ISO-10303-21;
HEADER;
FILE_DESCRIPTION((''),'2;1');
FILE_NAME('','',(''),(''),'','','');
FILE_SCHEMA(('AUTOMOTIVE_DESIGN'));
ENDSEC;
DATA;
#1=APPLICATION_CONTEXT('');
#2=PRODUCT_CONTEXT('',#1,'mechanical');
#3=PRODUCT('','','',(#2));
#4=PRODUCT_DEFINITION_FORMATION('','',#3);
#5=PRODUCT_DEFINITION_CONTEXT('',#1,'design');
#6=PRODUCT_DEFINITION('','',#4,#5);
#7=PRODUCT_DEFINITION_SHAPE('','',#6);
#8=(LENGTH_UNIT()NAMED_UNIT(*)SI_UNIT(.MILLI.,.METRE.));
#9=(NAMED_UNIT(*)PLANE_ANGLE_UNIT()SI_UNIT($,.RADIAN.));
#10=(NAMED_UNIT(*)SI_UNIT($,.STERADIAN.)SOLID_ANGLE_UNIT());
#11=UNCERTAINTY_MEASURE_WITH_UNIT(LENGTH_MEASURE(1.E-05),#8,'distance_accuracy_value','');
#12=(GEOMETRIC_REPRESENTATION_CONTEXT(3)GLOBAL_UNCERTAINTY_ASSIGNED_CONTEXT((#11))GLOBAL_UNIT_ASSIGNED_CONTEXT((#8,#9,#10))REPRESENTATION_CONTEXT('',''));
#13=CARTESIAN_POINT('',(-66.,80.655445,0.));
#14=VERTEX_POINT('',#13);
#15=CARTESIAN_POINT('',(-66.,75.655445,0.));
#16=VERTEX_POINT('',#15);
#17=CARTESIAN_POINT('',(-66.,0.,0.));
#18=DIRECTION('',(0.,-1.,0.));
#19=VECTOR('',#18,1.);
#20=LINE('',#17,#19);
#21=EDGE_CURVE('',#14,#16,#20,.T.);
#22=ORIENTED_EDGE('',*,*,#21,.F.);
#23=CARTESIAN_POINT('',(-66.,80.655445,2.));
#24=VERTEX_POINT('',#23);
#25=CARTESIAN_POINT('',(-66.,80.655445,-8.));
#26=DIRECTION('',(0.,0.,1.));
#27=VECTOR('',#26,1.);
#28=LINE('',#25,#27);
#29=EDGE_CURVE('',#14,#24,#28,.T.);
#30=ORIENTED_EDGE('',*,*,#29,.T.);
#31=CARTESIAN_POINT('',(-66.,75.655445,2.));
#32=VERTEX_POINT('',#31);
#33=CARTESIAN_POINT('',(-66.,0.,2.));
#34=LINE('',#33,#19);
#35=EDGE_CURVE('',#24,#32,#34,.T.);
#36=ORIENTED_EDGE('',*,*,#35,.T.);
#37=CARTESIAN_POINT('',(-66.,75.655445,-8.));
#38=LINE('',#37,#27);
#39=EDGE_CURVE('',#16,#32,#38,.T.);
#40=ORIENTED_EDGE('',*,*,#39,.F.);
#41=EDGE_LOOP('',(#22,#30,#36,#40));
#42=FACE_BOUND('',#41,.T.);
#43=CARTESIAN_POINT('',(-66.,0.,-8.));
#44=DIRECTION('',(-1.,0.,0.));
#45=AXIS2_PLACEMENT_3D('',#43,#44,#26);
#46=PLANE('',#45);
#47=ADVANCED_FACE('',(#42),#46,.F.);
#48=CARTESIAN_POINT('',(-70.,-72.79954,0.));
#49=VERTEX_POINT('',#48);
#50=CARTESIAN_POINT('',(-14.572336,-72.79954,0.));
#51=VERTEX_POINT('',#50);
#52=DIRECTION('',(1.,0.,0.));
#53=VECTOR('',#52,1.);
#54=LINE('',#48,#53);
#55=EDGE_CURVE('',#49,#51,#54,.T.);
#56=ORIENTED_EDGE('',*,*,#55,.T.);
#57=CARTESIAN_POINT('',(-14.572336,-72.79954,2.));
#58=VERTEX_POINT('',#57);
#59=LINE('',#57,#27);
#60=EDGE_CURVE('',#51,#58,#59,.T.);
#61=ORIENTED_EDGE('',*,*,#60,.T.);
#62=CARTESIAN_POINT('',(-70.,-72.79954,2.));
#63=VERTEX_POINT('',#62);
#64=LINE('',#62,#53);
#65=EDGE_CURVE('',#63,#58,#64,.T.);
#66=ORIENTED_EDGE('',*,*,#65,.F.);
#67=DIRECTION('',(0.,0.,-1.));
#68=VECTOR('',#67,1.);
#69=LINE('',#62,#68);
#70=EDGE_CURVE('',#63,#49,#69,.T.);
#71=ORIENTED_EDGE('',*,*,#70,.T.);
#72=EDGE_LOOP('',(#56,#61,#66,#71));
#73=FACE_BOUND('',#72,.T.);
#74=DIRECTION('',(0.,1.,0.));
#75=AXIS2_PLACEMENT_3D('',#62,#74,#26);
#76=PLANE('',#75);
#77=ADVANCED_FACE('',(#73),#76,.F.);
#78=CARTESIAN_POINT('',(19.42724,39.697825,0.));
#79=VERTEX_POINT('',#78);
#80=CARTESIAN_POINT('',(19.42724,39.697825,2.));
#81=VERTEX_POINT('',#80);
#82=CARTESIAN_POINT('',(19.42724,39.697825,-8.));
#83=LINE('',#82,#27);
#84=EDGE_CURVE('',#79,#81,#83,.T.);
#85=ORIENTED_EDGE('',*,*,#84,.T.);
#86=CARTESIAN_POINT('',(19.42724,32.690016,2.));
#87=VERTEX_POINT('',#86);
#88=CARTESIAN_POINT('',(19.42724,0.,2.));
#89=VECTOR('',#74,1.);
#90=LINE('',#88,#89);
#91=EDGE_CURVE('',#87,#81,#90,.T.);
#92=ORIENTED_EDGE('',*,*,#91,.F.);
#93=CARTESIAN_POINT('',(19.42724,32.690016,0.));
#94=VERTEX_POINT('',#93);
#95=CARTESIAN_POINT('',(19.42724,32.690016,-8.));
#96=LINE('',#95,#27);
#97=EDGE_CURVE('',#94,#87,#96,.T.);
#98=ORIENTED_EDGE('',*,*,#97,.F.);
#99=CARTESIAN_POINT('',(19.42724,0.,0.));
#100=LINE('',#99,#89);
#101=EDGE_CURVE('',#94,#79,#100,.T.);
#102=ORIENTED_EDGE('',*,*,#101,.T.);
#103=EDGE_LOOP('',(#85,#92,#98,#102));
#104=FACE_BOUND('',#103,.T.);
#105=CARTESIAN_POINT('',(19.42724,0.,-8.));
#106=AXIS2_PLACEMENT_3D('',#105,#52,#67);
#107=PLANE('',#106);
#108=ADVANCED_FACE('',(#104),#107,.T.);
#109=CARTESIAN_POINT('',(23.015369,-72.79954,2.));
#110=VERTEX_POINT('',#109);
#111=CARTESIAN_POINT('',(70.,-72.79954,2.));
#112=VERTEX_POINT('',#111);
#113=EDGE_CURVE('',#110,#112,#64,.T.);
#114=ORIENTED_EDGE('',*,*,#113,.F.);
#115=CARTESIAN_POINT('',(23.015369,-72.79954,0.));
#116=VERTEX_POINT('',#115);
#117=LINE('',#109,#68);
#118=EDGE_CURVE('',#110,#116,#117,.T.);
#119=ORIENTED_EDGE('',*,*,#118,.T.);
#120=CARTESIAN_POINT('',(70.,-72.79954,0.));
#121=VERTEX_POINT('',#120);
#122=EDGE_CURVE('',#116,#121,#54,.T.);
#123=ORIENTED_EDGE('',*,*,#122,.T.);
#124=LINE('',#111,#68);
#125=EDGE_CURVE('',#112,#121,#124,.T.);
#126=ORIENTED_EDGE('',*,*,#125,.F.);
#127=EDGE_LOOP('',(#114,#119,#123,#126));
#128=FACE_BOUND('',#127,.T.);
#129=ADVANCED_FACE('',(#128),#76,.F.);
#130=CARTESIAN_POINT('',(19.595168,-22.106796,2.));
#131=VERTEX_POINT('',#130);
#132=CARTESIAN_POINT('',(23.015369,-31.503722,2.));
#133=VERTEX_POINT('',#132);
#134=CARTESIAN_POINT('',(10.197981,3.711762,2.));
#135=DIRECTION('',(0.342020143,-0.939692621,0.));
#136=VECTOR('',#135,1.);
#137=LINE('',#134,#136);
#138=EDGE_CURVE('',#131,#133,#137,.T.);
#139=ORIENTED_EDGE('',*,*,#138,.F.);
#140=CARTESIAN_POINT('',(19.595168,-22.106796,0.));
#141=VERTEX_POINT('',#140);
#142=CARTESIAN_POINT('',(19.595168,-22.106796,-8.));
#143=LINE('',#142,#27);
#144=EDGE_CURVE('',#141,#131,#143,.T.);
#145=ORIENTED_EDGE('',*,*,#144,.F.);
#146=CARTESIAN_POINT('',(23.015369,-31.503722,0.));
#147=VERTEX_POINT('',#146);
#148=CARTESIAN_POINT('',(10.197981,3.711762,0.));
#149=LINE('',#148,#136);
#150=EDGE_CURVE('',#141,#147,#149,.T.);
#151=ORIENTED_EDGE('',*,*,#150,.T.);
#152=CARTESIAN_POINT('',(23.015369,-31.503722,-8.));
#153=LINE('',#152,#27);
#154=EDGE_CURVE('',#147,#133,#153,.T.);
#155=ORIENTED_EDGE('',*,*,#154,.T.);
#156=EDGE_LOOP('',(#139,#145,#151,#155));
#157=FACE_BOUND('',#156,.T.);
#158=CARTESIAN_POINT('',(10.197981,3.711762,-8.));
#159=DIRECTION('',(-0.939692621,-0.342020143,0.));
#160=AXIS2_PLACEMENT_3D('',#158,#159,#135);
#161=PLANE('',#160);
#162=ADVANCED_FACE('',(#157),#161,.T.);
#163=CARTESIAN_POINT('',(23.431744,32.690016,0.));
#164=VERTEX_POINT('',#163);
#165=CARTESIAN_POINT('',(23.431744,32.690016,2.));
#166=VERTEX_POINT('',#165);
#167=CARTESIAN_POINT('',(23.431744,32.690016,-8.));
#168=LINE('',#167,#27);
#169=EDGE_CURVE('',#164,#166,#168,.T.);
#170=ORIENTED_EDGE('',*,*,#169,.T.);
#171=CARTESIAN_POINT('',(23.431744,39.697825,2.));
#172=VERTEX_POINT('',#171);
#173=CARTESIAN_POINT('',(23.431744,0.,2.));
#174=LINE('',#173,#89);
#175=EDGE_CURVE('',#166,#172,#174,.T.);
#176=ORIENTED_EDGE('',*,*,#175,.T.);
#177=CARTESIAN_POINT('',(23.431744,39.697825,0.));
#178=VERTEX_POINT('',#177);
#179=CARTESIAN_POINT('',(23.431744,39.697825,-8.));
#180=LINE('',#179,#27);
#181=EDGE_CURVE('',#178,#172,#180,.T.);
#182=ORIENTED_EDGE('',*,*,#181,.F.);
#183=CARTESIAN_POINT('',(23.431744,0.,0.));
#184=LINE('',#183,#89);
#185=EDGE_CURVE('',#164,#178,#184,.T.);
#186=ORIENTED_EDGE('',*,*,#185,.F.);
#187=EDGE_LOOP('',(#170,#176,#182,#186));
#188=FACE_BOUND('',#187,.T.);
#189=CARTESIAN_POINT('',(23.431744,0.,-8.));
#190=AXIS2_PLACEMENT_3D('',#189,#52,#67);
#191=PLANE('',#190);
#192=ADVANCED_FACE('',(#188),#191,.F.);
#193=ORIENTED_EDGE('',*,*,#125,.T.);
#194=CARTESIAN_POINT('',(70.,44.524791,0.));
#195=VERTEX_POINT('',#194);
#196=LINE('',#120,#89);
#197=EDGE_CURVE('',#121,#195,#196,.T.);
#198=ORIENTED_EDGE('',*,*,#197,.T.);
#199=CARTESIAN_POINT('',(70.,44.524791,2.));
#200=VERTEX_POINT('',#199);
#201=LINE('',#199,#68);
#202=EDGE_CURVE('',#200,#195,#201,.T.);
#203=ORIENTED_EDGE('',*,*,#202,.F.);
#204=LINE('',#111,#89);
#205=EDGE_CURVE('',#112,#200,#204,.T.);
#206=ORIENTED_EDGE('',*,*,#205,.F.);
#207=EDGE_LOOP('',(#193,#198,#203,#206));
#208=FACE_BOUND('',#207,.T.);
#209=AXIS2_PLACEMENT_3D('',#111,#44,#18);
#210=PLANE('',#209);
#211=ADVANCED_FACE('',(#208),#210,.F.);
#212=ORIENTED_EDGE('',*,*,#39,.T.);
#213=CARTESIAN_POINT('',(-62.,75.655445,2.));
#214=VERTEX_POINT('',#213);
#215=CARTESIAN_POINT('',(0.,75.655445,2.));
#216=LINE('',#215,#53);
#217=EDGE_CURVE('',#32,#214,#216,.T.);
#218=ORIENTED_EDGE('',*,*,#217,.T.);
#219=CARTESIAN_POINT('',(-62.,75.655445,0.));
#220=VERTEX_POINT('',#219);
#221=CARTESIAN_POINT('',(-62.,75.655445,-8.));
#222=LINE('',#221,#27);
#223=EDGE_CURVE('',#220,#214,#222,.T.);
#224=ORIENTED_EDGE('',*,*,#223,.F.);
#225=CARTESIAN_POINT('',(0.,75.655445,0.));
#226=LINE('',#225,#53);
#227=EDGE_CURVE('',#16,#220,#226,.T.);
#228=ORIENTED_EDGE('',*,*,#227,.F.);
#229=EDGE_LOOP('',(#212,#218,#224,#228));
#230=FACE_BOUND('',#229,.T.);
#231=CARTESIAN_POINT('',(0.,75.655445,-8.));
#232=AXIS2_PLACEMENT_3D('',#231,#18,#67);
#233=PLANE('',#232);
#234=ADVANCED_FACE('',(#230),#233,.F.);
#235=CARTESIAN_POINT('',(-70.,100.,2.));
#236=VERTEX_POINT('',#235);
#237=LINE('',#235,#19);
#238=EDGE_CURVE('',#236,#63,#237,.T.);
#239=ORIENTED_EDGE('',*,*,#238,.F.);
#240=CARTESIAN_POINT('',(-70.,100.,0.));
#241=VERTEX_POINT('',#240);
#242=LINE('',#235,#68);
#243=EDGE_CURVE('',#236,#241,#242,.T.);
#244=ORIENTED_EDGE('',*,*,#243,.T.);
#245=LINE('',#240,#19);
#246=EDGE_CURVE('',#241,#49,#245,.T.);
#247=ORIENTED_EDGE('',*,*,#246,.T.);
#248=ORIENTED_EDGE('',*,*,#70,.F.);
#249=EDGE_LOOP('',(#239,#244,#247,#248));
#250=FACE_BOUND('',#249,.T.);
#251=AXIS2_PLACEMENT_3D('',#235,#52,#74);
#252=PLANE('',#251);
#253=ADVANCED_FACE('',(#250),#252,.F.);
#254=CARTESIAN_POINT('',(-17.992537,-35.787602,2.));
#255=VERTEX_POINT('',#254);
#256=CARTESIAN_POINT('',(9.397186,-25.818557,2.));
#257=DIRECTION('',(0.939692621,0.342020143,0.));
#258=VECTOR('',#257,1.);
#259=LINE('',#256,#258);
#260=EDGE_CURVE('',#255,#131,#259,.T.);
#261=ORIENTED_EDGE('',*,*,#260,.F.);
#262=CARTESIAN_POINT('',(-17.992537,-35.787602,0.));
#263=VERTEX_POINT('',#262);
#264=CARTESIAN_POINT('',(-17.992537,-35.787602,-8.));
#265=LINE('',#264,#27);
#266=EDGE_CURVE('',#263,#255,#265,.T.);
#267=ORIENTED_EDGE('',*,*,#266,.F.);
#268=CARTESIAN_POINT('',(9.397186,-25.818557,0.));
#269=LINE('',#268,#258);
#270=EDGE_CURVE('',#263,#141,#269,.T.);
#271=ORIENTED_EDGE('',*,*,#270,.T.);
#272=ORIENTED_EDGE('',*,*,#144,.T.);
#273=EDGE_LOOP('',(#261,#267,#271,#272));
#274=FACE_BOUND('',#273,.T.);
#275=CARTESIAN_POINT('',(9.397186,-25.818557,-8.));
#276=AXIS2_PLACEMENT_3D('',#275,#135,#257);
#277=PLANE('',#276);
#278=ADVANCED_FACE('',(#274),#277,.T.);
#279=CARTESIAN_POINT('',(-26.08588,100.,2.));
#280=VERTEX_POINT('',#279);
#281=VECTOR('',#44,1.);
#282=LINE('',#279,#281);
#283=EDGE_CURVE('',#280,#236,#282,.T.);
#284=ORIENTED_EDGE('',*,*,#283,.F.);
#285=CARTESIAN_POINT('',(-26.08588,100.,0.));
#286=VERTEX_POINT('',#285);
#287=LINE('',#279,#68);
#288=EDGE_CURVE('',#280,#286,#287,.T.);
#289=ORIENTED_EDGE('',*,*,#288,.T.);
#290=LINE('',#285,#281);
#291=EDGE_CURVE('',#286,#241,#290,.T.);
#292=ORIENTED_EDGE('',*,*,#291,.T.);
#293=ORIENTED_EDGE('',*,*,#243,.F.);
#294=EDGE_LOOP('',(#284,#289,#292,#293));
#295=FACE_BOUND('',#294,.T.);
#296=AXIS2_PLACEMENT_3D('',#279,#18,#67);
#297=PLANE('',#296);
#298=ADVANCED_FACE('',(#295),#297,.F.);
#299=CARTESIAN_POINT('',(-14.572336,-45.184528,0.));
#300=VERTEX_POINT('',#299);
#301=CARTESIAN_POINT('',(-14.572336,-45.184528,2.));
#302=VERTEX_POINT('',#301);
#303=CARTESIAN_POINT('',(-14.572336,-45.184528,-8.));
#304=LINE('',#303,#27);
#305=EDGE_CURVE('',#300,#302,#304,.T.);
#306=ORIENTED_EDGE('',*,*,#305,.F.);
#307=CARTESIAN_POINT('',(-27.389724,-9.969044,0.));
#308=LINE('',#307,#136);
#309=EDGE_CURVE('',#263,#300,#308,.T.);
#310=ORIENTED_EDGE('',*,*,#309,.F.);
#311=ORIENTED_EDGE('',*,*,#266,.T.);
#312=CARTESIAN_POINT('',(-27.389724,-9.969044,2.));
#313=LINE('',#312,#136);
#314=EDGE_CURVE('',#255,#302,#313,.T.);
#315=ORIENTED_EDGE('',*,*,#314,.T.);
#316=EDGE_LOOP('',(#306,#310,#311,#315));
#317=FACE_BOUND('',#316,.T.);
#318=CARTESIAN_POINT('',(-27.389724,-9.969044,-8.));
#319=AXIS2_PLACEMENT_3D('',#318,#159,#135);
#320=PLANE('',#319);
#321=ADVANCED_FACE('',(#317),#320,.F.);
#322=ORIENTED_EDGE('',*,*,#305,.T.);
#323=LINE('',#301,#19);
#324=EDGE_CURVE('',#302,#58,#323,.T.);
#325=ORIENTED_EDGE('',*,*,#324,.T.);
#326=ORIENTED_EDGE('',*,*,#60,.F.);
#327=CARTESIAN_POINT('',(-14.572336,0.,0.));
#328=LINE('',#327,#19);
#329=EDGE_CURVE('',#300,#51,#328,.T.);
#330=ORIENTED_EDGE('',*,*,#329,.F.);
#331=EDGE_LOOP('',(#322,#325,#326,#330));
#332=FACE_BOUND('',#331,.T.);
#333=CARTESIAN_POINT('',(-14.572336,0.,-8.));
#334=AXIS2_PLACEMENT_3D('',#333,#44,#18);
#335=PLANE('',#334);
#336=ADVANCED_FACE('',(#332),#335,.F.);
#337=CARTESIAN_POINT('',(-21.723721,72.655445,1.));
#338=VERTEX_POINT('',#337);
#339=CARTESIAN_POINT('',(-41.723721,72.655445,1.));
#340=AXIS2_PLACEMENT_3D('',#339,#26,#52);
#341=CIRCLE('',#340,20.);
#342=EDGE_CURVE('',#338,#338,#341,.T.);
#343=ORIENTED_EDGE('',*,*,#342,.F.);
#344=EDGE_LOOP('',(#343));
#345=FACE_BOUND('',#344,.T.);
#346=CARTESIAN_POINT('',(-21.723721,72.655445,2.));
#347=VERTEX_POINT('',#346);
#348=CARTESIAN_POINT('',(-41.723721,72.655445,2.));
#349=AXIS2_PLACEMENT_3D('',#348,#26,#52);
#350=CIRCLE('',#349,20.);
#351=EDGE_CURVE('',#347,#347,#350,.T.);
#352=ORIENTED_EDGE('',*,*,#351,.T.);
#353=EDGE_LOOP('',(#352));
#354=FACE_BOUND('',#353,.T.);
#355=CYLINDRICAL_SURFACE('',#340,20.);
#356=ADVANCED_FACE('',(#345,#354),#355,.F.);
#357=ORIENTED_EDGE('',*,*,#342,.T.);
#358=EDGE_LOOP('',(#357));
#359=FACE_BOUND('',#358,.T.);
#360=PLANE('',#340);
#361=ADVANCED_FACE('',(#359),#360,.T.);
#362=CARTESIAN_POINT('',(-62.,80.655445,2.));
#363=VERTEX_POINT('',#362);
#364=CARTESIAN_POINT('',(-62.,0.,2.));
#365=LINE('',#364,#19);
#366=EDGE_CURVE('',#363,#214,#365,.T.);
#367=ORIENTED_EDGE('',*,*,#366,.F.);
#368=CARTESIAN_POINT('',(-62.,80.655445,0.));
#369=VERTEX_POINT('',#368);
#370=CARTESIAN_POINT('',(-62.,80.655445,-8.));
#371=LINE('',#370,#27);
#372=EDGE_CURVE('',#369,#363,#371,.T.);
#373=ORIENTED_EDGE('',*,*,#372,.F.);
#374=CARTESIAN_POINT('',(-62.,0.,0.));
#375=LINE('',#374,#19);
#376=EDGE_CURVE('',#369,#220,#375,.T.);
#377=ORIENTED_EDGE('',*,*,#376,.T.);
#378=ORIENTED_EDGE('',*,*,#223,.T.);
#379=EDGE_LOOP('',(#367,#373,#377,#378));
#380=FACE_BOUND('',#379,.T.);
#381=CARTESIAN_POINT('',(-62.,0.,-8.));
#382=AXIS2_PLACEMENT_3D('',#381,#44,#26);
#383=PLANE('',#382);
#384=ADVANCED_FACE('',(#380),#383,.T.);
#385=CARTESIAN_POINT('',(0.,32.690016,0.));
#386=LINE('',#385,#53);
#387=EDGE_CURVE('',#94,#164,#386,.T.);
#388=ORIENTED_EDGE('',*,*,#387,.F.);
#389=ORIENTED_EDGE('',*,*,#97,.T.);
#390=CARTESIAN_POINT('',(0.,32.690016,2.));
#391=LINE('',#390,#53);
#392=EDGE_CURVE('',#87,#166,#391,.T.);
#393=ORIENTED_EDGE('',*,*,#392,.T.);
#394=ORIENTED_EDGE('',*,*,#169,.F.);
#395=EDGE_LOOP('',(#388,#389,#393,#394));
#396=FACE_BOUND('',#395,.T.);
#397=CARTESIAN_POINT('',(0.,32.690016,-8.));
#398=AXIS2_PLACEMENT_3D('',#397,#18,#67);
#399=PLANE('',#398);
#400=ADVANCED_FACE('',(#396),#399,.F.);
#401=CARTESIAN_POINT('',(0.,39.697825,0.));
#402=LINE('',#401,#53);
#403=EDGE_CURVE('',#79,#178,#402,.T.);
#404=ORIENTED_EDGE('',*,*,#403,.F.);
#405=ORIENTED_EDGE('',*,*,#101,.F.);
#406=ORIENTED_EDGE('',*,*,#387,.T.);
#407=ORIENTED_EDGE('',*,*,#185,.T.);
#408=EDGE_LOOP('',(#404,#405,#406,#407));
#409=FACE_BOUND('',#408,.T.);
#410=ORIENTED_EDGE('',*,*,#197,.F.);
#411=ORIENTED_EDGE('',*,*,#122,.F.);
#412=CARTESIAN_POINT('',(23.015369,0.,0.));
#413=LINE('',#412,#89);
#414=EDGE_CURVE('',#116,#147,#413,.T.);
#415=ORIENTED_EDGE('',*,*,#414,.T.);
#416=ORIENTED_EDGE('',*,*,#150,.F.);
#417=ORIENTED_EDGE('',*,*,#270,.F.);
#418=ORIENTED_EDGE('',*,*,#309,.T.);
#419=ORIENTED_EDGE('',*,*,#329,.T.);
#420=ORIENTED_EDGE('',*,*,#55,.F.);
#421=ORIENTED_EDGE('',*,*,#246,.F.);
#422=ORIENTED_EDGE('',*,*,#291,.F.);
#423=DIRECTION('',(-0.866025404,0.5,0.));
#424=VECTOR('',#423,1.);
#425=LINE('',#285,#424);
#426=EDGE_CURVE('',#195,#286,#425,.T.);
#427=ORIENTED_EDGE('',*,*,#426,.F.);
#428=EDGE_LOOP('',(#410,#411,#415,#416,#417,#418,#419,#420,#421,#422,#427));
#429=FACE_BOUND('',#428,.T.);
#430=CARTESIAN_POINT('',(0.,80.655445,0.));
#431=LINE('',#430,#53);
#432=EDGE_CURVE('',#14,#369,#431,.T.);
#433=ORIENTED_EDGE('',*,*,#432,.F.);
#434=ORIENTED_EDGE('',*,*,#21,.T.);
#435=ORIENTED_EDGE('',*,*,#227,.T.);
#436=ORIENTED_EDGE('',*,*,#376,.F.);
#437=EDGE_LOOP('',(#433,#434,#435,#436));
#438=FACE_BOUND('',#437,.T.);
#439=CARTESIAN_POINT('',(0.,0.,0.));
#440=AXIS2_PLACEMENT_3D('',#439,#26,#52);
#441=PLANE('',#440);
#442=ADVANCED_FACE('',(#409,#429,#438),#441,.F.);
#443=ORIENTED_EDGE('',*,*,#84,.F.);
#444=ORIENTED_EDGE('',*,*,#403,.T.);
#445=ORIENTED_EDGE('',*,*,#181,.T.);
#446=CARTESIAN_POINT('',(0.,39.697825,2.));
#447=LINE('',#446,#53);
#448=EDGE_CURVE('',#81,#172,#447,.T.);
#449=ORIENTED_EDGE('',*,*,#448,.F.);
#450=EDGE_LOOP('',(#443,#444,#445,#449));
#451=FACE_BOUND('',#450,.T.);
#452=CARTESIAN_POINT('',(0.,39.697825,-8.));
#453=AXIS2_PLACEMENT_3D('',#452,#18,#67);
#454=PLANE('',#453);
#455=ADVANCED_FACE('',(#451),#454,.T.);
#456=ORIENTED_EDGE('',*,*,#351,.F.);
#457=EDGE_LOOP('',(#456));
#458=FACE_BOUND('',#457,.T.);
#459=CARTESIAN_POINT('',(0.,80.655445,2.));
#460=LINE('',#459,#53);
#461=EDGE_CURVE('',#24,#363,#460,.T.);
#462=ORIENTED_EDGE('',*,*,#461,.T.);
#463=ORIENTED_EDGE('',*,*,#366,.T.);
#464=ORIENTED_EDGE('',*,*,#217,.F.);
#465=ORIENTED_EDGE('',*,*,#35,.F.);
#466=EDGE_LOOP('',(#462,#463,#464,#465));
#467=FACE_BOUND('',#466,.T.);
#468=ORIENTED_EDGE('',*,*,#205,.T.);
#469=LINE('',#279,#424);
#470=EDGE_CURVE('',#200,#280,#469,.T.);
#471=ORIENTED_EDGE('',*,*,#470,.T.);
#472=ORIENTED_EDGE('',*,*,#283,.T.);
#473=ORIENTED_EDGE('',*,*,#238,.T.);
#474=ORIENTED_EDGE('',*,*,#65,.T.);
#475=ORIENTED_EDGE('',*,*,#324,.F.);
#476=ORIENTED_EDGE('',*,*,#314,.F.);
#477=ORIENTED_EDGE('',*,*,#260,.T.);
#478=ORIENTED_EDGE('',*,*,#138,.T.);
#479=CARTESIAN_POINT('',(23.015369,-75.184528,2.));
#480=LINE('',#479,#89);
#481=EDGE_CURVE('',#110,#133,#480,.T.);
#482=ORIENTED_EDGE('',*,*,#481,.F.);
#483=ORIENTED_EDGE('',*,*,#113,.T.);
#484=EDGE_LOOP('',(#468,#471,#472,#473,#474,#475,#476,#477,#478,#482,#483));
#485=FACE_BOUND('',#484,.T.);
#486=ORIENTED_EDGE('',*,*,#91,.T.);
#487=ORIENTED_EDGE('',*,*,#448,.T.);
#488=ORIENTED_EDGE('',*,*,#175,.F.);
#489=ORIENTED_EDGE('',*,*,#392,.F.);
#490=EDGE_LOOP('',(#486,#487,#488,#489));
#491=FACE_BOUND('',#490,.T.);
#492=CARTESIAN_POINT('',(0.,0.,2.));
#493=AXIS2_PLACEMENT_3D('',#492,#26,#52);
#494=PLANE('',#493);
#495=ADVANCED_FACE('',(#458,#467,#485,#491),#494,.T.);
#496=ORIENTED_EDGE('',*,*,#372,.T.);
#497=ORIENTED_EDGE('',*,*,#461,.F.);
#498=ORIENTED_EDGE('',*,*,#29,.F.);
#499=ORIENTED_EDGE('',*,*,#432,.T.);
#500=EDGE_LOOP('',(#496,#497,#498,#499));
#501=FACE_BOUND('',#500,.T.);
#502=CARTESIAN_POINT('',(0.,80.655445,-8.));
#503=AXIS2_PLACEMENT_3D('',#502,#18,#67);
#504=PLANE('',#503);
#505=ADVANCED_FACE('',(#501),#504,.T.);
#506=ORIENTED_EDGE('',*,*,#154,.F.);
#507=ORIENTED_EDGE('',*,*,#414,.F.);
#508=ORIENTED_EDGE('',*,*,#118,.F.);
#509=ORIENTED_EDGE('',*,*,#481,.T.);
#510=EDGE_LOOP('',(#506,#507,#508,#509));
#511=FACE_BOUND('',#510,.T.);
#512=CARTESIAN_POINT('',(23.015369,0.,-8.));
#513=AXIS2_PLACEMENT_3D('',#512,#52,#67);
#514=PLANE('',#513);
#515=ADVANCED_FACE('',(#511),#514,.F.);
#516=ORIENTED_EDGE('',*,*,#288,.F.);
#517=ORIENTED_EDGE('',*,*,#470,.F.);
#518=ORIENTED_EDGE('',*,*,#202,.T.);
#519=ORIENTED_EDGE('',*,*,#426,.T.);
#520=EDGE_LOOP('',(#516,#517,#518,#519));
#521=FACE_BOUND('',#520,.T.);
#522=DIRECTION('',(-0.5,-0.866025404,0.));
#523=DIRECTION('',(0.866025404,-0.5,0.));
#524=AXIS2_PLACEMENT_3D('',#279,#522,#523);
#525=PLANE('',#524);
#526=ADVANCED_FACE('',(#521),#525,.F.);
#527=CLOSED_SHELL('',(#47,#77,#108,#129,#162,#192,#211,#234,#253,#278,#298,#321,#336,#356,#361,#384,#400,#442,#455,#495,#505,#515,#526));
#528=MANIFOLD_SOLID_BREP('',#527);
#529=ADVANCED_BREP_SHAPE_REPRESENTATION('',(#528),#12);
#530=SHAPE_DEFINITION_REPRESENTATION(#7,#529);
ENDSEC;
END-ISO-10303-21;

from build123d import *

# Parameters (mm, degrees)
BOSS_EXTRUDE1_DEPTH = 2
SKETCH3_W           = 4.004504799
SKETCH3_H           = 7.007808652
SKETCH3_W_2         = 4
SKETCH3_H_2         = 5
CUT_EXTRUDE1_DEPTH  = 10
SKETCH4_R           = 20
CUT_EXTRUDE2_DEPTH  = 1


with BuildPart() as part:
    # Sketch1 → Boss-Extrude1 (new body)
    with BuildSketch(Plane.XY):
        Polygon((-70, 100), (-70, -72.799540117), (70, -72.799540117), (70, 44.524791386), (-26.08587988, 100), align=None)
    extrude(amount=BOSS_EXTRUDE1_DEPTH)

    # Sketch3 → Cut-Extrude1 (cut)
    with BuildSketch(Plane.XY.offset(2)):
        with Locations((21.429491924, 36.193920339)):
            Rectangle(SKETCH3_W, SKETCH3_H)
        with Locations((-64, 78.155444566)):
            Rectangle(SKETCH3_W_2, SKETCH3_H_2)
        Polygon((-14.572335871, -75.184527756), (23.015368961, -75.184527756), (23.015368961, -31.503722023), (19.595167527, -22.106795815), (-17.992537304, -35.787601548), (-14.572335871, -45.184527756), align=None)
    extrude(amount=-CUT_EXTRUDE1_DEPTH, mode=Mode.SUBTRACT)

    # Sketch4 → Cut-Extrude2 (cut)
    with BuildSketch(Plane.XY.offset(2)):
        with Locations((-41.723720558, 72.655444566)):
            Circle(SKETCH4_R)
    extrude(amount=-CUT_EXTRUDE2_DEPTH, mode=Mode.SUBTRACT)


solid = part.part
